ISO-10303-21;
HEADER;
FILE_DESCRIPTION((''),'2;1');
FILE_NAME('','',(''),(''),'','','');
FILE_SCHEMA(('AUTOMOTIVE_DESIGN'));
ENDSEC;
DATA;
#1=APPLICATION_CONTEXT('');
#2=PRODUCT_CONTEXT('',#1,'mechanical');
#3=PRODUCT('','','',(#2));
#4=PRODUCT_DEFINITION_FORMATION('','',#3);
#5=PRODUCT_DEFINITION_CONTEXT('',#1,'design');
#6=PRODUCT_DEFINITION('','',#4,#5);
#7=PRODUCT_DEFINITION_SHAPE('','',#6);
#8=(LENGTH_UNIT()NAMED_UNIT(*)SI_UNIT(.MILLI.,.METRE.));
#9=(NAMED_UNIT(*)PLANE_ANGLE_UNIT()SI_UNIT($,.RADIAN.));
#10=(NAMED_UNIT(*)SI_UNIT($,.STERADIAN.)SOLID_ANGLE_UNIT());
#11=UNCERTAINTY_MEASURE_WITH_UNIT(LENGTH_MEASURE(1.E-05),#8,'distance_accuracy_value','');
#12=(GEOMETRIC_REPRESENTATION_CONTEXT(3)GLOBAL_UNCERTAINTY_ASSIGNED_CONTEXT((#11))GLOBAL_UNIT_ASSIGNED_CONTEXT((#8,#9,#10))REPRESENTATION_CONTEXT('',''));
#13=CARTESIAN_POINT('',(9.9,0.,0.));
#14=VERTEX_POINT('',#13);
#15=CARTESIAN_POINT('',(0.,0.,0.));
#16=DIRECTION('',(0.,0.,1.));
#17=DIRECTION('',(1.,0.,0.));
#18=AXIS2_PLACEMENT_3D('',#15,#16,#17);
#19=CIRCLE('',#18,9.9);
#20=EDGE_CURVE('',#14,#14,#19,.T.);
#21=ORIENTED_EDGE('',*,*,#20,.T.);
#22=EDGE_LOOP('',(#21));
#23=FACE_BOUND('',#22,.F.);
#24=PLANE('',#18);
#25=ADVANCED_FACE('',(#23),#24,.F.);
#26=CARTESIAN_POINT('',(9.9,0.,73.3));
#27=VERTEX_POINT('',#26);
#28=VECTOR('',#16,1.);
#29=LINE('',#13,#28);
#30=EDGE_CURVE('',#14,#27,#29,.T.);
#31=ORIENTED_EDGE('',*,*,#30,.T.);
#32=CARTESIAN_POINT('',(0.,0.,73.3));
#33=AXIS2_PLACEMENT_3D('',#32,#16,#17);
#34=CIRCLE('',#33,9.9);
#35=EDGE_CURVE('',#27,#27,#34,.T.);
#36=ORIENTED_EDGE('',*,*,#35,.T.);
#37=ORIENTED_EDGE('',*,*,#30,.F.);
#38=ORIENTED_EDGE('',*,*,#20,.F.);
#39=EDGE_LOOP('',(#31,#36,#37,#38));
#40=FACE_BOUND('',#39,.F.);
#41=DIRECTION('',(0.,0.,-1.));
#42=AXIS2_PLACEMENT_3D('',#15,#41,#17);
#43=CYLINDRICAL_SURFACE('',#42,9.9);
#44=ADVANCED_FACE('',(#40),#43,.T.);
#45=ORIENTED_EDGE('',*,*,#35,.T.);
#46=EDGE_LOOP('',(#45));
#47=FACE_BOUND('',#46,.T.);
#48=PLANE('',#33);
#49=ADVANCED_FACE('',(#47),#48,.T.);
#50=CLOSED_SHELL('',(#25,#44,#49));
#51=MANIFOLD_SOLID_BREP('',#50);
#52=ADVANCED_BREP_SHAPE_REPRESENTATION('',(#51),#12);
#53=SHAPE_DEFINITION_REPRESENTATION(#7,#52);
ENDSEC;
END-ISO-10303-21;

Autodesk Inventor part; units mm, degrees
ref_plane "YZ Plane" through (0, 0, 0) normal (1, 0, 0) x (0, 1, 0)
ref_plane "XZ Plane" through (0, 0, 0) normal (0, 1, 0) x (-1, 0, 0)
ref_plane "XY Plane" through (0, 0, 0) normal (0, 0, 1) x (1, 0, 0)
sketch "Sketch1" plane through (0, 0, 0) normal (0, 0, 1) x (1, 0, 0)
  circle A0 centre (0, 0) radius 9.9
  dimension "d0" = 19.8
extrude "Extrusion1" add sketch "Sketch1" along normal blind 73.3
properties part number "rod"
